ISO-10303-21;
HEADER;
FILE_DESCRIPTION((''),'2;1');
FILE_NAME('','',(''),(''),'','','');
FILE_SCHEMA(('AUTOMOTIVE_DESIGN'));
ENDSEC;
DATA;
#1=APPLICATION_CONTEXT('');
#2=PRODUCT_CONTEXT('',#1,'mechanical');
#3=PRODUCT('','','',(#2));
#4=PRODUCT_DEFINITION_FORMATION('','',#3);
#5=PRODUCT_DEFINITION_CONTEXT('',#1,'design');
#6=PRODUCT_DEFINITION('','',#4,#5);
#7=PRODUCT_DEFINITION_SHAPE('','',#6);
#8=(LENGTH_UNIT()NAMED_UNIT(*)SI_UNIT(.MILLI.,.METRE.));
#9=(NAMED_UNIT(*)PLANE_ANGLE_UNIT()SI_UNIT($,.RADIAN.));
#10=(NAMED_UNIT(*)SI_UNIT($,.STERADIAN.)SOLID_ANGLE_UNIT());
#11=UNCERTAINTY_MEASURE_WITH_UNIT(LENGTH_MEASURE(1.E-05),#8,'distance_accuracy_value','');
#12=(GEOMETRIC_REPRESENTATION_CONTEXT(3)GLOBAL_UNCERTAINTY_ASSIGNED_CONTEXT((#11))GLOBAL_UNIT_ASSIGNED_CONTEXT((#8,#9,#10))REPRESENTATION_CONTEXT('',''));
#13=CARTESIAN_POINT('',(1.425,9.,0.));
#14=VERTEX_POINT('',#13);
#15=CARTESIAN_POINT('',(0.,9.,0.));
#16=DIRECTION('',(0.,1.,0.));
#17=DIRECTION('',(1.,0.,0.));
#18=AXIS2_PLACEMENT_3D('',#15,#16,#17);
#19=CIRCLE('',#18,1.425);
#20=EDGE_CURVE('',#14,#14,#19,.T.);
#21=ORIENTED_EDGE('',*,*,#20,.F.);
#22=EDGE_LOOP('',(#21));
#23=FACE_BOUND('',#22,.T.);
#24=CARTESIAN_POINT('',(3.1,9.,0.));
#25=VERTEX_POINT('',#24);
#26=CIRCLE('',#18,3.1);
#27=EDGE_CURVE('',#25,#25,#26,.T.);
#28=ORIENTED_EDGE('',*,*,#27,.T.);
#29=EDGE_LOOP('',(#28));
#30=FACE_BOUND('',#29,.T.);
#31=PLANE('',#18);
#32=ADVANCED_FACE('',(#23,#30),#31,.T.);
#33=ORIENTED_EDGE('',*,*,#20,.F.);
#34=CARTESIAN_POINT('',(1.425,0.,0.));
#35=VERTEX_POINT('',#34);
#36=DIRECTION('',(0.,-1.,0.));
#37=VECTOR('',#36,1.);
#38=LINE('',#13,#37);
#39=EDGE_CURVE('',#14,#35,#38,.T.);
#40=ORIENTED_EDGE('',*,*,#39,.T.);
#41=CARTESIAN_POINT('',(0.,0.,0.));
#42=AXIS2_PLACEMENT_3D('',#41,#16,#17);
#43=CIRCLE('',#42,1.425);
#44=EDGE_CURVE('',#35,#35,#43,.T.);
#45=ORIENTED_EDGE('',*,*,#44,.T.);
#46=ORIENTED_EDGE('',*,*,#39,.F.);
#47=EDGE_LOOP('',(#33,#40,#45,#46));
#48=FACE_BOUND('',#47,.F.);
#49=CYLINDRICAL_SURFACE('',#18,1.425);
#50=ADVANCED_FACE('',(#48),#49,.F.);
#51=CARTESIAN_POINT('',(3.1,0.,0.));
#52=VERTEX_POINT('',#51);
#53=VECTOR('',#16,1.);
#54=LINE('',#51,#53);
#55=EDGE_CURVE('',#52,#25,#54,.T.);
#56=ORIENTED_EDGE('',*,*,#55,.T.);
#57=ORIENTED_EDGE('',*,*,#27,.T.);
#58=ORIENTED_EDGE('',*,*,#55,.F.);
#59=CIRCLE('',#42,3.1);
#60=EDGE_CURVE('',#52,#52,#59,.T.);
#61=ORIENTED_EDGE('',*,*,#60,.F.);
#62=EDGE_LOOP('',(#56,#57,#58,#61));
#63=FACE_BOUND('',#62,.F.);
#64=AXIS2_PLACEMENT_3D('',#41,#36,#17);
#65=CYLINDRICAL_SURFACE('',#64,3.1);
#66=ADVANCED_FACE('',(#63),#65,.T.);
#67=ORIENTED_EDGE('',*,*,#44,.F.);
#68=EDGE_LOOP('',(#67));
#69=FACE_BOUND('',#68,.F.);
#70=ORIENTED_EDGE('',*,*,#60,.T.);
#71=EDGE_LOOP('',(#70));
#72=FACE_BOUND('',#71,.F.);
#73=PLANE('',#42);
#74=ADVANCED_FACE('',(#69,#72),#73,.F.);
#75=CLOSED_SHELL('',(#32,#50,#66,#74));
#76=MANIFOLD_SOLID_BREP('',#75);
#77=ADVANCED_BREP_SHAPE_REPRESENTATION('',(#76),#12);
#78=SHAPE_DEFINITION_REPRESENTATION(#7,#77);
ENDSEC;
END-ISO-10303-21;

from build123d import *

# Parameters (mm, degrees)
SKETCH1_R           = 3.1
BOSS_EXTRUDE1_DEPTH = 9
SKETCH2_R           = 1.425
CUT_EXTRUDE1_DEPTH  = 10


with BuildPart() as part:
    # Sketch1 → Boss-Extrude1 (new body)
    with BuildSketch(Plane(origin=(0, 0, 0), x_dir=(1, 0, 0), z_dir=(0, 1, 0))):
        Circle(SKETCH1_R)
    extrude(amount=BOSS_EXTRUDE1_DEPTH)

    # Sketch2 → Cut-Extrude1 (cut, through all)
    with BuildSketch(Plane(origin=(0, 9, 0), x_dir=(1, 0, 0), z_dir=(0, 1, 0))):
        Circle(SKETCH2_R)
    extrude(amount=-CUT_EXTRUDE1_DEPTH, mode=Mode.SUBTRACT)


solid = part.part
